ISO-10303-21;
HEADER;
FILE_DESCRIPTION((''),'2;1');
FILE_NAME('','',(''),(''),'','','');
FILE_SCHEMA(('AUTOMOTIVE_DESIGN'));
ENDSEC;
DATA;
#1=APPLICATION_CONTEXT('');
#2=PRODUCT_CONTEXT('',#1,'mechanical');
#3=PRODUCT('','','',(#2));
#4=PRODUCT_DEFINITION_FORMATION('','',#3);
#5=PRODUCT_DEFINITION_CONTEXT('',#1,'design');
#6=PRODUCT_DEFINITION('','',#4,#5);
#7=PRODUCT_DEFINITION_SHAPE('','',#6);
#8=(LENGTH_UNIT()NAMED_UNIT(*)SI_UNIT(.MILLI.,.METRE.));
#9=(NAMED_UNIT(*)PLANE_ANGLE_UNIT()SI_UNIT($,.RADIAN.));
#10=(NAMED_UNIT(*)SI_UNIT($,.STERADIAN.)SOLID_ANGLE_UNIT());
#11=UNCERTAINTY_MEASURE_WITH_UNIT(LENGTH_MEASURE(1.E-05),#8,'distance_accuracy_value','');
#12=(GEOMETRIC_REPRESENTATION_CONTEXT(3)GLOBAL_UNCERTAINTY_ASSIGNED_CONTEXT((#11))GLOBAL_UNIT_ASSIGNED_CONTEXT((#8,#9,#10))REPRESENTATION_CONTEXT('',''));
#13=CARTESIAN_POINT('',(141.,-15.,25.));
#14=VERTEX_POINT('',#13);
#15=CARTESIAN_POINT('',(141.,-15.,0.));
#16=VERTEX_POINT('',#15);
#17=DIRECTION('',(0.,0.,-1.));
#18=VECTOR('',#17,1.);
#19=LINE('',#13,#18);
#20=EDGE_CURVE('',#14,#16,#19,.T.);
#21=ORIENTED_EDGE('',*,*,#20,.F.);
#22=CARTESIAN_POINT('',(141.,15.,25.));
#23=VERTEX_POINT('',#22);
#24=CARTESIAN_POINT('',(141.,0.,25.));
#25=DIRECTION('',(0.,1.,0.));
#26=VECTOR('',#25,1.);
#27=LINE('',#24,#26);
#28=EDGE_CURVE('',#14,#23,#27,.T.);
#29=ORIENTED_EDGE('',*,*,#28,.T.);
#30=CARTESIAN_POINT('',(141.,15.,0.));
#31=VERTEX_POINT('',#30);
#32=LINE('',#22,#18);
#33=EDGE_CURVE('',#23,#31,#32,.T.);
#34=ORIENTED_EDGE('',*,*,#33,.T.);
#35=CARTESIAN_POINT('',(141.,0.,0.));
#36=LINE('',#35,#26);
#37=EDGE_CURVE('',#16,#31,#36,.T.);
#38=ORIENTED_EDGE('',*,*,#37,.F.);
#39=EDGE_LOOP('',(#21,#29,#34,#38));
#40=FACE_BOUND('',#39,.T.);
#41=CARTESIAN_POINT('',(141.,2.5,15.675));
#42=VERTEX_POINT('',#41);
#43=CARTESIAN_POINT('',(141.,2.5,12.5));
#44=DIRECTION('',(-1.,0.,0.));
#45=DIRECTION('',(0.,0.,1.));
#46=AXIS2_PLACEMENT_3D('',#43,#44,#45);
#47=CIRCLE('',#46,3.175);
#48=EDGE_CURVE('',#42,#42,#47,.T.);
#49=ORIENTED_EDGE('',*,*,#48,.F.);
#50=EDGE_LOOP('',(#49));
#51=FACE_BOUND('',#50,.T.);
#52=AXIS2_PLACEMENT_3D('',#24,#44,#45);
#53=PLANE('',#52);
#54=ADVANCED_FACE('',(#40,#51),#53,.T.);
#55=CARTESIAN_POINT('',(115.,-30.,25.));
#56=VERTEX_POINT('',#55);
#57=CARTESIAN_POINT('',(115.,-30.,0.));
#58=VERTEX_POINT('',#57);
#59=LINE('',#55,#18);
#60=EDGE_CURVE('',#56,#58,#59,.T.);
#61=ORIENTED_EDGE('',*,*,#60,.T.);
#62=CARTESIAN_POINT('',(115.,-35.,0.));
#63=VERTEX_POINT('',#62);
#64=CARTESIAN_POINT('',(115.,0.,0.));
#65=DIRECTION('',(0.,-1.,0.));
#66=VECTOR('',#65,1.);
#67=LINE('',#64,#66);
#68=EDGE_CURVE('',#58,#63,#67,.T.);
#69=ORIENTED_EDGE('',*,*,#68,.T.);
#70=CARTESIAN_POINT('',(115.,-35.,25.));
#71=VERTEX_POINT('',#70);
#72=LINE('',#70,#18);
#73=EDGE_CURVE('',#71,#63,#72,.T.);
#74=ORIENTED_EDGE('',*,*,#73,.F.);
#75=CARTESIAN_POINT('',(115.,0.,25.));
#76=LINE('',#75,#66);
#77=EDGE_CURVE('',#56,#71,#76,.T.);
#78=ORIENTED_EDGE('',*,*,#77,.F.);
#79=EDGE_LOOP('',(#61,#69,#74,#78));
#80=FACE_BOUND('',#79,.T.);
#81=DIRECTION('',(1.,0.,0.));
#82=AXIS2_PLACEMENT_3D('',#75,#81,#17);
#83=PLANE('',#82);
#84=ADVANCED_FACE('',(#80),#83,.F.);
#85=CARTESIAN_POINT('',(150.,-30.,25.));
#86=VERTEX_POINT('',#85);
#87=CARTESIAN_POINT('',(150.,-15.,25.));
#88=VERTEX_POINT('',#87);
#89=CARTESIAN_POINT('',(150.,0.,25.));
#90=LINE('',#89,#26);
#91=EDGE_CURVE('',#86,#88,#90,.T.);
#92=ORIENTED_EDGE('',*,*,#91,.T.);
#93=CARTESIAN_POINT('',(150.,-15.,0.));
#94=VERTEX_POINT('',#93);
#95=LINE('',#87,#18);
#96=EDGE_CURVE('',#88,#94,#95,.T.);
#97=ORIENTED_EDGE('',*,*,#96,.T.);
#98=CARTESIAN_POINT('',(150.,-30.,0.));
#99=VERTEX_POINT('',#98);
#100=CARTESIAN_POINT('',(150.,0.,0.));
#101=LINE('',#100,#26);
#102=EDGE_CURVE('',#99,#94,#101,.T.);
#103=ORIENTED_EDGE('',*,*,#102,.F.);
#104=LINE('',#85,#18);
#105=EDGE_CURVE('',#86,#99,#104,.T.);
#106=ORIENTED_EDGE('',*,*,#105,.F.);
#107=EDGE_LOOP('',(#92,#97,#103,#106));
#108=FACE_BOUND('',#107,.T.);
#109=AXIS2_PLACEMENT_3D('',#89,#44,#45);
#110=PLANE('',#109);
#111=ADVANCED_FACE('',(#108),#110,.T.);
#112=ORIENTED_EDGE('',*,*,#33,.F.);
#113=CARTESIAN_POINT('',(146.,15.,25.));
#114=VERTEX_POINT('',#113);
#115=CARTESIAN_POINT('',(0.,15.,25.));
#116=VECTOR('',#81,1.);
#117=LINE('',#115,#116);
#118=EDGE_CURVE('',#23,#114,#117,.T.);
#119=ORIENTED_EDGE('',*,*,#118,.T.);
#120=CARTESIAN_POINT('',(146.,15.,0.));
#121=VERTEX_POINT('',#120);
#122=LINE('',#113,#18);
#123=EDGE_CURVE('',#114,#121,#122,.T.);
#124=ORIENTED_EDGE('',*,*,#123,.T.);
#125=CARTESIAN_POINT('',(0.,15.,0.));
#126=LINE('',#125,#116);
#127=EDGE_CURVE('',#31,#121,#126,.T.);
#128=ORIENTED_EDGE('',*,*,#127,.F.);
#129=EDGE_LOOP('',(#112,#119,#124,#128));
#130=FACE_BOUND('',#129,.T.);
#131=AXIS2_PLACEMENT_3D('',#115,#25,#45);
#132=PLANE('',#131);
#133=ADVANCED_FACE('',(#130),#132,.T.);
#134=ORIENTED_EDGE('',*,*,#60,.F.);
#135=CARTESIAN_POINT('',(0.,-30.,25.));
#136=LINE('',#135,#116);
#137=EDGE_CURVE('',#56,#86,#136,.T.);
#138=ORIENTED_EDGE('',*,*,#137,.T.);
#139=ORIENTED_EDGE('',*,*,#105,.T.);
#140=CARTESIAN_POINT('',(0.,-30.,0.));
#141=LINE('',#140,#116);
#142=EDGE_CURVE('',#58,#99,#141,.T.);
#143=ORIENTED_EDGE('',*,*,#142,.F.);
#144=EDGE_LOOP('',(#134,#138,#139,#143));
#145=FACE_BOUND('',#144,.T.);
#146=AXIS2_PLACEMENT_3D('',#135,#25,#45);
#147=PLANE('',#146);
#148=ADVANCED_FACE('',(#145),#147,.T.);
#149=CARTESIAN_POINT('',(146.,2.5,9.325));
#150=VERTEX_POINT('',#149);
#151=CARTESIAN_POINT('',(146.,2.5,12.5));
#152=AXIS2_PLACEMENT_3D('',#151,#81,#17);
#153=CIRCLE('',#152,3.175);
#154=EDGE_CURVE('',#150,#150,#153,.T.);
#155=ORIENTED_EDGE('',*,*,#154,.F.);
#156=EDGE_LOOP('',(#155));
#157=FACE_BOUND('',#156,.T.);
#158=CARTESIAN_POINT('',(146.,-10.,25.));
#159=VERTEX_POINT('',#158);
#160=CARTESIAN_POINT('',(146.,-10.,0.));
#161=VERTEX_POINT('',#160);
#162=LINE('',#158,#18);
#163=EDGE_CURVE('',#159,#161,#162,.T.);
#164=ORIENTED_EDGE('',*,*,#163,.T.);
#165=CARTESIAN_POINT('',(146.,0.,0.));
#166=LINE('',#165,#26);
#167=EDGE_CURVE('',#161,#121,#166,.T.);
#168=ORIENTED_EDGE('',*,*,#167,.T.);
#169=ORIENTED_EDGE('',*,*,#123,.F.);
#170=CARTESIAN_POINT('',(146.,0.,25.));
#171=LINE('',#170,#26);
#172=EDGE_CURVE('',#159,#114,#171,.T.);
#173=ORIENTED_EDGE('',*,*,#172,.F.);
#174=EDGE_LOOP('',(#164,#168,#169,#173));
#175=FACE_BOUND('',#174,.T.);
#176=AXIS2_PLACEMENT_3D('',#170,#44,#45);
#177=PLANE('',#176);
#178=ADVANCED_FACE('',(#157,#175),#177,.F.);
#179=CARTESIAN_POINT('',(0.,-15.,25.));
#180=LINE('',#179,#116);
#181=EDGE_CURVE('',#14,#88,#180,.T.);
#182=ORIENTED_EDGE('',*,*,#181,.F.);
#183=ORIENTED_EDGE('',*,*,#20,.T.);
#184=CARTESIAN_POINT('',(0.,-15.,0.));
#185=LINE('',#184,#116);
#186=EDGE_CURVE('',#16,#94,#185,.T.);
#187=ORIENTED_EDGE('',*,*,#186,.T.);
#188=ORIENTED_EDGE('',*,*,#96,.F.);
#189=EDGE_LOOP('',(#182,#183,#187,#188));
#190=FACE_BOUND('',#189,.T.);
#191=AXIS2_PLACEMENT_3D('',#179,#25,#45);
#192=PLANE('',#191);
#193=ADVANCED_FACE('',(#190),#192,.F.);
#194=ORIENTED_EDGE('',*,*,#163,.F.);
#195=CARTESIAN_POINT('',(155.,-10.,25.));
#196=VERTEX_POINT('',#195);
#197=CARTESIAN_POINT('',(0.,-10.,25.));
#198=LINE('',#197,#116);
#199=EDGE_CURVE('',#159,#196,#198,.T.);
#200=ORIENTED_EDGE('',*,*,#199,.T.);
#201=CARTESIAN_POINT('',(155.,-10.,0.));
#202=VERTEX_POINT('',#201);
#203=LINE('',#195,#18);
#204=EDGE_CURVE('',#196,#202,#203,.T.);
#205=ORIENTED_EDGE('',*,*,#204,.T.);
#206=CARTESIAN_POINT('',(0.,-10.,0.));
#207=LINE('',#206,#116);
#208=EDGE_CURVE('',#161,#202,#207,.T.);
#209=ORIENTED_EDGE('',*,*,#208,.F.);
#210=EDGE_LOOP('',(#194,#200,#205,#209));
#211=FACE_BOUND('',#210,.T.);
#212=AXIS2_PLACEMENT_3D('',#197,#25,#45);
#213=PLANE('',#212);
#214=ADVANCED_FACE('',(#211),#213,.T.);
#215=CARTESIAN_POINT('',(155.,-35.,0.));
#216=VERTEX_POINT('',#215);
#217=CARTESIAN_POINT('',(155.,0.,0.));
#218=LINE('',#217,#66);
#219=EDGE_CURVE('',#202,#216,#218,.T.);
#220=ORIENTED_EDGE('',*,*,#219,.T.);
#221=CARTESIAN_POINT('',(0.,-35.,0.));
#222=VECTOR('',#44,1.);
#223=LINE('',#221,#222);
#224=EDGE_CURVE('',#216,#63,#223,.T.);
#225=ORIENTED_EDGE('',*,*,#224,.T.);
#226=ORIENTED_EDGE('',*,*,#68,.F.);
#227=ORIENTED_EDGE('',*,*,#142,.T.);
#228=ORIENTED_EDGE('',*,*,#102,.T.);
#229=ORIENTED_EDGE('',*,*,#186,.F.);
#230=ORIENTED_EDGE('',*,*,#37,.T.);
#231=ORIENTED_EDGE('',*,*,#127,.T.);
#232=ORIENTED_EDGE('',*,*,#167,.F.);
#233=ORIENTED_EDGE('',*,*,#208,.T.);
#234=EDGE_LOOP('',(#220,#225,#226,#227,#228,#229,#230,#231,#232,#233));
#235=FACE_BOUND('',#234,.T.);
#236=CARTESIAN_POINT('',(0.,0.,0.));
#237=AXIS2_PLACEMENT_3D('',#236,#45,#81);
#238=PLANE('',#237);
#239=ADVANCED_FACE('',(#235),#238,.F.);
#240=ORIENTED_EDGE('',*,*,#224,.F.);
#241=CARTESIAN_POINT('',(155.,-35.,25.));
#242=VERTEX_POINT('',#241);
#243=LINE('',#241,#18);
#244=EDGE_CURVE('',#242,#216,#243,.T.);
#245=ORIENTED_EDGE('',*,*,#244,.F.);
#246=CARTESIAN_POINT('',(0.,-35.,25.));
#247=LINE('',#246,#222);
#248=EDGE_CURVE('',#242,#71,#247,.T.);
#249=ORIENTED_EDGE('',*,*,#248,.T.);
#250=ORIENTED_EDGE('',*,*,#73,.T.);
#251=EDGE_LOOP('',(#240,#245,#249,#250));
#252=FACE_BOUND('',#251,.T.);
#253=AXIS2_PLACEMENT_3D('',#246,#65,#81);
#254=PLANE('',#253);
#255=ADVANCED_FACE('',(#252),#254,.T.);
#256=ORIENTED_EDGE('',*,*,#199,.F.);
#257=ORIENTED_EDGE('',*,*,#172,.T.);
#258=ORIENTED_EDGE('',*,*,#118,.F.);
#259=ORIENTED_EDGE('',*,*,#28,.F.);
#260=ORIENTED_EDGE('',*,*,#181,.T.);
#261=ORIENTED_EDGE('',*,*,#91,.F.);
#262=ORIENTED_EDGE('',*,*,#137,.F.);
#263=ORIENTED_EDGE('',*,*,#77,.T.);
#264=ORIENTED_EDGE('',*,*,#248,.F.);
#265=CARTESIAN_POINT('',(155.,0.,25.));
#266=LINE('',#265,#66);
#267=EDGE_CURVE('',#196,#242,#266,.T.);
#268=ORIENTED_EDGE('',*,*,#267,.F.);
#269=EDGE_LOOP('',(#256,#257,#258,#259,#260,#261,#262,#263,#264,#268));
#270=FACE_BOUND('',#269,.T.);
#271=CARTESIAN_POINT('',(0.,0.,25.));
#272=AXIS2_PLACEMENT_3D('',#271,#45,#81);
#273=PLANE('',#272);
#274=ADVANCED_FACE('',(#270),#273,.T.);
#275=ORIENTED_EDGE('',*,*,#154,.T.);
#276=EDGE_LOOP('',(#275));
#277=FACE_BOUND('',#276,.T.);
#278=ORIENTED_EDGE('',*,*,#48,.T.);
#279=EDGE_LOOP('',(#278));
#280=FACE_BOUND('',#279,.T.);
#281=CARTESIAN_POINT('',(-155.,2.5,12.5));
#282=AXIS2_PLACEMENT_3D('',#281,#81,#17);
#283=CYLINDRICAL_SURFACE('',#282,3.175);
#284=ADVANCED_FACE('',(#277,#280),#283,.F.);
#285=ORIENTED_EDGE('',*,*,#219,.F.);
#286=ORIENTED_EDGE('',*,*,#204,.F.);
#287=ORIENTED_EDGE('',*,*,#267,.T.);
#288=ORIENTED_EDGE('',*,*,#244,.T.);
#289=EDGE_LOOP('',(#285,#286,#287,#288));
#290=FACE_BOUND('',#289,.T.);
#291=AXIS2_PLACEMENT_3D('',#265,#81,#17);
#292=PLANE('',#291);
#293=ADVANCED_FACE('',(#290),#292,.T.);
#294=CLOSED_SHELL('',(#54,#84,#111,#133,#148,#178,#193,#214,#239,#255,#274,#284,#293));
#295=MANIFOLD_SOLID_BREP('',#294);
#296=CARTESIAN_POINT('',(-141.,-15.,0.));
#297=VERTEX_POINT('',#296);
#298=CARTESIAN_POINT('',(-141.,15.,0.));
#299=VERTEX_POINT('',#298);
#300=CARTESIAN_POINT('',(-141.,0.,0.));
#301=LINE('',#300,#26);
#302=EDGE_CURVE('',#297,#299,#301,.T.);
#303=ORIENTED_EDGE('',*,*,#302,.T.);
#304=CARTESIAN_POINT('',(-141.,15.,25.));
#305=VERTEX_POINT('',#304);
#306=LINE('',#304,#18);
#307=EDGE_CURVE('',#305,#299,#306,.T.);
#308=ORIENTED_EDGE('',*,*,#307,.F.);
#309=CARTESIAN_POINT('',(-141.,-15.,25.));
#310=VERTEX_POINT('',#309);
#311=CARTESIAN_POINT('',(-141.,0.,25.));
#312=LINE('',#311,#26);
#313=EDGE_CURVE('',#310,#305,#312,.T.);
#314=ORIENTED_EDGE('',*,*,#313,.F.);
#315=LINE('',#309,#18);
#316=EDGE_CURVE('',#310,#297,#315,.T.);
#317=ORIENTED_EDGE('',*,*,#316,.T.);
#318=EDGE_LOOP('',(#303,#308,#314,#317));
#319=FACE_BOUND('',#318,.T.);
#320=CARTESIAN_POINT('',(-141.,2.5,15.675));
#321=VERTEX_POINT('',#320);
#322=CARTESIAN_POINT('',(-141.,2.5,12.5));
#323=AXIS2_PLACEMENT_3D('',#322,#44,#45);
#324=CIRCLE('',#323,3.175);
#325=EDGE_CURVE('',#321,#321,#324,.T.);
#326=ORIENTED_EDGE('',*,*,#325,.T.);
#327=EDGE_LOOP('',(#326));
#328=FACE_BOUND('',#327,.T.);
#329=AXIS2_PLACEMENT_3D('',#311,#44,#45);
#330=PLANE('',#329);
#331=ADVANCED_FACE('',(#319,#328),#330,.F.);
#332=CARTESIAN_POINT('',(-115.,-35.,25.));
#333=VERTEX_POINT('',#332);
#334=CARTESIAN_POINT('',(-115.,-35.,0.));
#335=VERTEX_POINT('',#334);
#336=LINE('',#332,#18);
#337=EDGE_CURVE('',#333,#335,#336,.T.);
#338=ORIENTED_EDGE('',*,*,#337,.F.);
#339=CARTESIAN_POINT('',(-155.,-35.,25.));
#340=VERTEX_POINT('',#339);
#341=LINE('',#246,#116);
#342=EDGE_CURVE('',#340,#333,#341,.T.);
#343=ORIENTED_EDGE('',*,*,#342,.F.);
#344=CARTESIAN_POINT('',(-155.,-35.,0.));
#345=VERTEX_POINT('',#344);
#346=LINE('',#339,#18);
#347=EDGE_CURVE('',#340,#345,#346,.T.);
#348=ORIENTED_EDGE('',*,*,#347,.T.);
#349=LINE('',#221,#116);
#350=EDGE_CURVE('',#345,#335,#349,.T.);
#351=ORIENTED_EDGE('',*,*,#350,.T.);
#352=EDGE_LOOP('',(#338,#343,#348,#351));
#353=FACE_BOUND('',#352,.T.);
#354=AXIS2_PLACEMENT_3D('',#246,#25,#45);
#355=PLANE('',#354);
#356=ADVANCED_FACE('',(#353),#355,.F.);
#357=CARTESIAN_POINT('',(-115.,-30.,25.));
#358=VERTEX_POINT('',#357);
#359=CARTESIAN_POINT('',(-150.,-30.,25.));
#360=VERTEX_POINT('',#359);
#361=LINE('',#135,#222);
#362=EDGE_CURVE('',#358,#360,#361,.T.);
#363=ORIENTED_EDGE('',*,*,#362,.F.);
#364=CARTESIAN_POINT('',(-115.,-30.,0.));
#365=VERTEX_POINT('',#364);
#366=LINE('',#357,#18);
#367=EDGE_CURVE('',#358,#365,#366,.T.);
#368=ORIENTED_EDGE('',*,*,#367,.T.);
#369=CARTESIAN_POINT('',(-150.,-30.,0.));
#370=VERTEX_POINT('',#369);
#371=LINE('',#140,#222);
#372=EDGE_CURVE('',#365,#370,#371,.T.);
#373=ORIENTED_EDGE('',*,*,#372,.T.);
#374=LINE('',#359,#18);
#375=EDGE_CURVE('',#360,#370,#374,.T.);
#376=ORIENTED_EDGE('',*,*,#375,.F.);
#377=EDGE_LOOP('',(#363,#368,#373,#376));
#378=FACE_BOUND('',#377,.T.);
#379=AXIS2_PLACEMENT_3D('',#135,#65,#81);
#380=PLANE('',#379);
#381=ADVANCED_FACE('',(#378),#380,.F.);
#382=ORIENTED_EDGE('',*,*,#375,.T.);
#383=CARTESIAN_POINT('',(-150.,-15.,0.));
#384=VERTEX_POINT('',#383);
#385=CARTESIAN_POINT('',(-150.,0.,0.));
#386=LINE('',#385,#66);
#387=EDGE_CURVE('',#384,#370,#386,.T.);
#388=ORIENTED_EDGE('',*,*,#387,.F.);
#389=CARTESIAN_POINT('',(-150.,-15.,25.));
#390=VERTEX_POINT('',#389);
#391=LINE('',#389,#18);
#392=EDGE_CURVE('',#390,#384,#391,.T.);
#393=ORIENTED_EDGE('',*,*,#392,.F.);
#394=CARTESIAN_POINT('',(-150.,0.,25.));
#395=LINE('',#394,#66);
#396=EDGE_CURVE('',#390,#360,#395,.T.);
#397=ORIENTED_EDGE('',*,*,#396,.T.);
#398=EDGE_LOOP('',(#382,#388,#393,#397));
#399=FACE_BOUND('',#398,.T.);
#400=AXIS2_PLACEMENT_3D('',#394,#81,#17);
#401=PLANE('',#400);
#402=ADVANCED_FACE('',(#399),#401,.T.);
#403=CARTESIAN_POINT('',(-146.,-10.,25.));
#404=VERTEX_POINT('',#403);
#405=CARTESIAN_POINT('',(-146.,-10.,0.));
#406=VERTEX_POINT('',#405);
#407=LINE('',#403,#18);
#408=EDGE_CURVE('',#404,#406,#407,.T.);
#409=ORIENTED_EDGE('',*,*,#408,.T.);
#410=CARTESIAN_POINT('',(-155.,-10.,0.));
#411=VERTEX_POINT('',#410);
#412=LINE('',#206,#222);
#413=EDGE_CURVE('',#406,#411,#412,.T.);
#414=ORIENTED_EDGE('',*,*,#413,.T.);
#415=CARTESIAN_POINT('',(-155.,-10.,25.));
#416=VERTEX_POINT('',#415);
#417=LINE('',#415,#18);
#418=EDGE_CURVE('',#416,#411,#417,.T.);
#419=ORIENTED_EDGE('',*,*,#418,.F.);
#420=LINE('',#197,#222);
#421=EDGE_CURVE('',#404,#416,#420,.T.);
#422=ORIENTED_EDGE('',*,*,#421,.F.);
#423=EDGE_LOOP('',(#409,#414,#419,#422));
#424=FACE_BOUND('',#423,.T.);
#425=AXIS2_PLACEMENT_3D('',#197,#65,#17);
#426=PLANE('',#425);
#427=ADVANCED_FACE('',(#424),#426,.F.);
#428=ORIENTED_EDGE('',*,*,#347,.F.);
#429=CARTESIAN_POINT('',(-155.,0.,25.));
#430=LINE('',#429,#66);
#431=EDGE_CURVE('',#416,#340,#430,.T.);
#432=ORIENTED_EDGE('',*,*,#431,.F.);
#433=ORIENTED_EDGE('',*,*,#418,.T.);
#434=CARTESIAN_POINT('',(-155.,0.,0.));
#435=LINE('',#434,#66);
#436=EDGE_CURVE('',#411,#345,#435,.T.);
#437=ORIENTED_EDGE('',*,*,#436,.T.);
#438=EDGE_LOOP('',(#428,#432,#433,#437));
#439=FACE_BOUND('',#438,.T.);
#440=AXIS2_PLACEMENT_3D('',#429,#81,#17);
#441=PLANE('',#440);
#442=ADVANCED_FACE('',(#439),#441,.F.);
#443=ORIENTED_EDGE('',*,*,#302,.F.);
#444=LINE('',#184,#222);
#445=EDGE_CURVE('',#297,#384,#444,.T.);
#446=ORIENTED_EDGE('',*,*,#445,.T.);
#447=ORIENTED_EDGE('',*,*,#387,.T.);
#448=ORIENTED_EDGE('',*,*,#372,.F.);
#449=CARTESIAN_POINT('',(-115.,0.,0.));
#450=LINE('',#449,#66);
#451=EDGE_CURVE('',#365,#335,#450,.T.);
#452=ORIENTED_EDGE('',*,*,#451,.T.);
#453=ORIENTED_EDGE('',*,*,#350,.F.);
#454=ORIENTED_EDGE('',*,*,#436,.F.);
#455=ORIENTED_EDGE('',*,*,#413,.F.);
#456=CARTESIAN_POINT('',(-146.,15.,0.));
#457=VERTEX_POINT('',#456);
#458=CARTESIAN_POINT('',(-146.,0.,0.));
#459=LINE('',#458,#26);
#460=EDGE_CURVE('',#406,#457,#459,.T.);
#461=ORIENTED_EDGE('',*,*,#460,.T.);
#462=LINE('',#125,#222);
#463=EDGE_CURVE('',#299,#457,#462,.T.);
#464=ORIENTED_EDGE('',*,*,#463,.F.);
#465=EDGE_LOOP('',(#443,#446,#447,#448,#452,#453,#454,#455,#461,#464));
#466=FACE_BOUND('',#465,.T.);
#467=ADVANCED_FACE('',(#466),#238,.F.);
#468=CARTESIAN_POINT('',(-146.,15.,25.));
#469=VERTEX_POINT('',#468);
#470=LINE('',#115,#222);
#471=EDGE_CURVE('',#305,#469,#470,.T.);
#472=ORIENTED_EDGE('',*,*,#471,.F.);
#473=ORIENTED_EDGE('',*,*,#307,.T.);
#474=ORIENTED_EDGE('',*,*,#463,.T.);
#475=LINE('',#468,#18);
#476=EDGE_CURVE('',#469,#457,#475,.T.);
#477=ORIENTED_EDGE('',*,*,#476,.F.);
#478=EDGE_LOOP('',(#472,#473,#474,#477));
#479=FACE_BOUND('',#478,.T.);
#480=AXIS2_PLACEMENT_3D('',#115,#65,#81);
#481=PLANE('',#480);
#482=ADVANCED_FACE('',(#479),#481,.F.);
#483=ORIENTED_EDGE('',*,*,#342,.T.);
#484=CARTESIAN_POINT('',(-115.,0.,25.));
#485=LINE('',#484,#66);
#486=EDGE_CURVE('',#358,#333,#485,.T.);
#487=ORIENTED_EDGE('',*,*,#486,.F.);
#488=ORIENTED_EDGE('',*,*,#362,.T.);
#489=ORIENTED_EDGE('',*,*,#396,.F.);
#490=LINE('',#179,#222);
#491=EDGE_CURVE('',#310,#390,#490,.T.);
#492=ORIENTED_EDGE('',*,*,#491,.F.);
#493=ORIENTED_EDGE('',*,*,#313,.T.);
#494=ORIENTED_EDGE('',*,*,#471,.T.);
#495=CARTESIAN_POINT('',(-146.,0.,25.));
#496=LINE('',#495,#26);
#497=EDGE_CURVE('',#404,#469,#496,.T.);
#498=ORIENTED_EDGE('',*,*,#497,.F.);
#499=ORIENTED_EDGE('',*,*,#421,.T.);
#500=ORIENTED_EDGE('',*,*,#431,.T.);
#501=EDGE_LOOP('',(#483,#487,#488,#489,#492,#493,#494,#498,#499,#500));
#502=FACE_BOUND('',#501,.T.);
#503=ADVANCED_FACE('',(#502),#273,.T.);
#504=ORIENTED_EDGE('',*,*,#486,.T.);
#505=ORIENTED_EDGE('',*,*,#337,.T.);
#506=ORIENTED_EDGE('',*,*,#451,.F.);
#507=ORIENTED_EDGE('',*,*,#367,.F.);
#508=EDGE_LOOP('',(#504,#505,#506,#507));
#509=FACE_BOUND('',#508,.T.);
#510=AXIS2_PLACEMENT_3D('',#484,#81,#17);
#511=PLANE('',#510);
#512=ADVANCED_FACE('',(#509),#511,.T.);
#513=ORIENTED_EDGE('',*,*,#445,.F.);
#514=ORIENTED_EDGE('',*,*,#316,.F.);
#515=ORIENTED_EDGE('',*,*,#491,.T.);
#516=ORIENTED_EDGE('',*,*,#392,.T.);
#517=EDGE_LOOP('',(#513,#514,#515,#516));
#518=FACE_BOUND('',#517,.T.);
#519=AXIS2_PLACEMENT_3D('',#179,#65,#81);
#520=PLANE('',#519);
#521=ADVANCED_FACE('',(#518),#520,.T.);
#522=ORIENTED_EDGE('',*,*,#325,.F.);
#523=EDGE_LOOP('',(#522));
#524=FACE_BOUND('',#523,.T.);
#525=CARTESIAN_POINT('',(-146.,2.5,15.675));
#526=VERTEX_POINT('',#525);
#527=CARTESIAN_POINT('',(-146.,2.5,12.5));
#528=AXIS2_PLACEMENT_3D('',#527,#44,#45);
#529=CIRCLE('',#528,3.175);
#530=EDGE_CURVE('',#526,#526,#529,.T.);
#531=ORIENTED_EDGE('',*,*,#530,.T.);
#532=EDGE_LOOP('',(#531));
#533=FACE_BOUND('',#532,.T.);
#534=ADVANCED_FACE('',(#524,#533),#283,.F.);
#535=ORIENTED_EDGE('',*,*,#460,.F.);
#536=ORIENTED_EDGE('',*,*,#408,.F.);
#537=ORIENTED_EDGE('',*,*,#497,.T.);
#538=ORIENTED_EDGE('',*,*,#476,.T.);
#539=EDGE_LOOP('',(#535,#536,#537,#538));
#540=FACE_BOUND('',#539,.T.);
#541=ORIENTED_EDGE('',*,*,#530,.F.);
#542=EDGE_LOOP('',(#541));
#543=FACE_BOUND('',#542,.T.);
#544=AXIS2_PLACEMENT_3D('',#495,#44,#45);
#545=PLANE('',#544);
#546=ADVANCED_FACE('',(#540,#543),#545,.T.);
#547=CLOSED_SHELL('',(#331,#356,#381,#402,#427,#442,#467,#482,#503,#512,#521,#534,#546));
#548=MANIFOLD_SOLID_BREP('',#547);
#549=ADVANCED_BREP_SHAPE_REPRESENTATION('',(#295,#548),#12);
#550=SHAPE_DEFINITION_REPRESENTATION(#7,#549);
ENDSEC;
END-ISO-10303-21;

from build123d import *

# Parameters (mm, degrees)
SKETCH1_W           = 4
SKETCH1_H           = 5
SKETCH1_W_2         = 5
SKETCH1_H_2         = 25
BOSS_EXTRUDE1_DEPTH = 25
SKETCH2_R           = 3.175
CUT_EXTRUDE1_DEPTH  = 302


with BuildPart() as part:
    # Sketch1 → Boss-Extrude1 (new body)
    with BuildSketch(Plane.XY):
        Polygon((-115, -35), (-115, -30), (-150, -30), (-155, -30), (-155, -35), align=None)
        Polygon((-150, -10), (-155, -10), (-155, -30), (-150, -30), (-150, -15), align=None)
        with Locations((-148, -12.5)):
            Rectangle(SKETCH1_W, SKETCH1_H)
        with Locations((-143.5, -12.5)):
            Rectangle(SKETCH1_W_2, SKETCH1_H)
        with Locations((-143.5, 2.5)):
            Rectangle(SKETCH1_W_2, SKETCH1_H_2)
        Polygon((150, -30), (115, -30), (115, -35), (155, -35), (155, -30), align=None)
        Polygon((155, -10), (155, -30), (150, -30), (150, -15), (150, -10), align=None)
        with Locations((148, -12.5)):
            Rectangle(SKETCH1_W, SKETCH1_H)
        with Locations((143.5, -12.5)):
            Rectangle(SKETCH1_W_2, SKETCH1_H)
        with Locations((143.5, 2.5)):
            Rectangle(SKETCH1_W_2, SKETCH1_H_2)
    extrude(amount=BOSS_EXTRUDE1_DEPTH)

    # Sketch2 → Cut-Extrude1 (cut, through all)
    with BuildSketch(Plane(origin=(146, 0, 0), x_dir=(0, 0, -1), z_dir=(1, 0, 0))):
        with Locations((-12.5, 2.5)):
            Circle(SKETCH2_R)
    extrude(amount=-CUT_EXTRUDE1_DEPTH, mode=Mode.SUBTRACT)


solid = part.part
